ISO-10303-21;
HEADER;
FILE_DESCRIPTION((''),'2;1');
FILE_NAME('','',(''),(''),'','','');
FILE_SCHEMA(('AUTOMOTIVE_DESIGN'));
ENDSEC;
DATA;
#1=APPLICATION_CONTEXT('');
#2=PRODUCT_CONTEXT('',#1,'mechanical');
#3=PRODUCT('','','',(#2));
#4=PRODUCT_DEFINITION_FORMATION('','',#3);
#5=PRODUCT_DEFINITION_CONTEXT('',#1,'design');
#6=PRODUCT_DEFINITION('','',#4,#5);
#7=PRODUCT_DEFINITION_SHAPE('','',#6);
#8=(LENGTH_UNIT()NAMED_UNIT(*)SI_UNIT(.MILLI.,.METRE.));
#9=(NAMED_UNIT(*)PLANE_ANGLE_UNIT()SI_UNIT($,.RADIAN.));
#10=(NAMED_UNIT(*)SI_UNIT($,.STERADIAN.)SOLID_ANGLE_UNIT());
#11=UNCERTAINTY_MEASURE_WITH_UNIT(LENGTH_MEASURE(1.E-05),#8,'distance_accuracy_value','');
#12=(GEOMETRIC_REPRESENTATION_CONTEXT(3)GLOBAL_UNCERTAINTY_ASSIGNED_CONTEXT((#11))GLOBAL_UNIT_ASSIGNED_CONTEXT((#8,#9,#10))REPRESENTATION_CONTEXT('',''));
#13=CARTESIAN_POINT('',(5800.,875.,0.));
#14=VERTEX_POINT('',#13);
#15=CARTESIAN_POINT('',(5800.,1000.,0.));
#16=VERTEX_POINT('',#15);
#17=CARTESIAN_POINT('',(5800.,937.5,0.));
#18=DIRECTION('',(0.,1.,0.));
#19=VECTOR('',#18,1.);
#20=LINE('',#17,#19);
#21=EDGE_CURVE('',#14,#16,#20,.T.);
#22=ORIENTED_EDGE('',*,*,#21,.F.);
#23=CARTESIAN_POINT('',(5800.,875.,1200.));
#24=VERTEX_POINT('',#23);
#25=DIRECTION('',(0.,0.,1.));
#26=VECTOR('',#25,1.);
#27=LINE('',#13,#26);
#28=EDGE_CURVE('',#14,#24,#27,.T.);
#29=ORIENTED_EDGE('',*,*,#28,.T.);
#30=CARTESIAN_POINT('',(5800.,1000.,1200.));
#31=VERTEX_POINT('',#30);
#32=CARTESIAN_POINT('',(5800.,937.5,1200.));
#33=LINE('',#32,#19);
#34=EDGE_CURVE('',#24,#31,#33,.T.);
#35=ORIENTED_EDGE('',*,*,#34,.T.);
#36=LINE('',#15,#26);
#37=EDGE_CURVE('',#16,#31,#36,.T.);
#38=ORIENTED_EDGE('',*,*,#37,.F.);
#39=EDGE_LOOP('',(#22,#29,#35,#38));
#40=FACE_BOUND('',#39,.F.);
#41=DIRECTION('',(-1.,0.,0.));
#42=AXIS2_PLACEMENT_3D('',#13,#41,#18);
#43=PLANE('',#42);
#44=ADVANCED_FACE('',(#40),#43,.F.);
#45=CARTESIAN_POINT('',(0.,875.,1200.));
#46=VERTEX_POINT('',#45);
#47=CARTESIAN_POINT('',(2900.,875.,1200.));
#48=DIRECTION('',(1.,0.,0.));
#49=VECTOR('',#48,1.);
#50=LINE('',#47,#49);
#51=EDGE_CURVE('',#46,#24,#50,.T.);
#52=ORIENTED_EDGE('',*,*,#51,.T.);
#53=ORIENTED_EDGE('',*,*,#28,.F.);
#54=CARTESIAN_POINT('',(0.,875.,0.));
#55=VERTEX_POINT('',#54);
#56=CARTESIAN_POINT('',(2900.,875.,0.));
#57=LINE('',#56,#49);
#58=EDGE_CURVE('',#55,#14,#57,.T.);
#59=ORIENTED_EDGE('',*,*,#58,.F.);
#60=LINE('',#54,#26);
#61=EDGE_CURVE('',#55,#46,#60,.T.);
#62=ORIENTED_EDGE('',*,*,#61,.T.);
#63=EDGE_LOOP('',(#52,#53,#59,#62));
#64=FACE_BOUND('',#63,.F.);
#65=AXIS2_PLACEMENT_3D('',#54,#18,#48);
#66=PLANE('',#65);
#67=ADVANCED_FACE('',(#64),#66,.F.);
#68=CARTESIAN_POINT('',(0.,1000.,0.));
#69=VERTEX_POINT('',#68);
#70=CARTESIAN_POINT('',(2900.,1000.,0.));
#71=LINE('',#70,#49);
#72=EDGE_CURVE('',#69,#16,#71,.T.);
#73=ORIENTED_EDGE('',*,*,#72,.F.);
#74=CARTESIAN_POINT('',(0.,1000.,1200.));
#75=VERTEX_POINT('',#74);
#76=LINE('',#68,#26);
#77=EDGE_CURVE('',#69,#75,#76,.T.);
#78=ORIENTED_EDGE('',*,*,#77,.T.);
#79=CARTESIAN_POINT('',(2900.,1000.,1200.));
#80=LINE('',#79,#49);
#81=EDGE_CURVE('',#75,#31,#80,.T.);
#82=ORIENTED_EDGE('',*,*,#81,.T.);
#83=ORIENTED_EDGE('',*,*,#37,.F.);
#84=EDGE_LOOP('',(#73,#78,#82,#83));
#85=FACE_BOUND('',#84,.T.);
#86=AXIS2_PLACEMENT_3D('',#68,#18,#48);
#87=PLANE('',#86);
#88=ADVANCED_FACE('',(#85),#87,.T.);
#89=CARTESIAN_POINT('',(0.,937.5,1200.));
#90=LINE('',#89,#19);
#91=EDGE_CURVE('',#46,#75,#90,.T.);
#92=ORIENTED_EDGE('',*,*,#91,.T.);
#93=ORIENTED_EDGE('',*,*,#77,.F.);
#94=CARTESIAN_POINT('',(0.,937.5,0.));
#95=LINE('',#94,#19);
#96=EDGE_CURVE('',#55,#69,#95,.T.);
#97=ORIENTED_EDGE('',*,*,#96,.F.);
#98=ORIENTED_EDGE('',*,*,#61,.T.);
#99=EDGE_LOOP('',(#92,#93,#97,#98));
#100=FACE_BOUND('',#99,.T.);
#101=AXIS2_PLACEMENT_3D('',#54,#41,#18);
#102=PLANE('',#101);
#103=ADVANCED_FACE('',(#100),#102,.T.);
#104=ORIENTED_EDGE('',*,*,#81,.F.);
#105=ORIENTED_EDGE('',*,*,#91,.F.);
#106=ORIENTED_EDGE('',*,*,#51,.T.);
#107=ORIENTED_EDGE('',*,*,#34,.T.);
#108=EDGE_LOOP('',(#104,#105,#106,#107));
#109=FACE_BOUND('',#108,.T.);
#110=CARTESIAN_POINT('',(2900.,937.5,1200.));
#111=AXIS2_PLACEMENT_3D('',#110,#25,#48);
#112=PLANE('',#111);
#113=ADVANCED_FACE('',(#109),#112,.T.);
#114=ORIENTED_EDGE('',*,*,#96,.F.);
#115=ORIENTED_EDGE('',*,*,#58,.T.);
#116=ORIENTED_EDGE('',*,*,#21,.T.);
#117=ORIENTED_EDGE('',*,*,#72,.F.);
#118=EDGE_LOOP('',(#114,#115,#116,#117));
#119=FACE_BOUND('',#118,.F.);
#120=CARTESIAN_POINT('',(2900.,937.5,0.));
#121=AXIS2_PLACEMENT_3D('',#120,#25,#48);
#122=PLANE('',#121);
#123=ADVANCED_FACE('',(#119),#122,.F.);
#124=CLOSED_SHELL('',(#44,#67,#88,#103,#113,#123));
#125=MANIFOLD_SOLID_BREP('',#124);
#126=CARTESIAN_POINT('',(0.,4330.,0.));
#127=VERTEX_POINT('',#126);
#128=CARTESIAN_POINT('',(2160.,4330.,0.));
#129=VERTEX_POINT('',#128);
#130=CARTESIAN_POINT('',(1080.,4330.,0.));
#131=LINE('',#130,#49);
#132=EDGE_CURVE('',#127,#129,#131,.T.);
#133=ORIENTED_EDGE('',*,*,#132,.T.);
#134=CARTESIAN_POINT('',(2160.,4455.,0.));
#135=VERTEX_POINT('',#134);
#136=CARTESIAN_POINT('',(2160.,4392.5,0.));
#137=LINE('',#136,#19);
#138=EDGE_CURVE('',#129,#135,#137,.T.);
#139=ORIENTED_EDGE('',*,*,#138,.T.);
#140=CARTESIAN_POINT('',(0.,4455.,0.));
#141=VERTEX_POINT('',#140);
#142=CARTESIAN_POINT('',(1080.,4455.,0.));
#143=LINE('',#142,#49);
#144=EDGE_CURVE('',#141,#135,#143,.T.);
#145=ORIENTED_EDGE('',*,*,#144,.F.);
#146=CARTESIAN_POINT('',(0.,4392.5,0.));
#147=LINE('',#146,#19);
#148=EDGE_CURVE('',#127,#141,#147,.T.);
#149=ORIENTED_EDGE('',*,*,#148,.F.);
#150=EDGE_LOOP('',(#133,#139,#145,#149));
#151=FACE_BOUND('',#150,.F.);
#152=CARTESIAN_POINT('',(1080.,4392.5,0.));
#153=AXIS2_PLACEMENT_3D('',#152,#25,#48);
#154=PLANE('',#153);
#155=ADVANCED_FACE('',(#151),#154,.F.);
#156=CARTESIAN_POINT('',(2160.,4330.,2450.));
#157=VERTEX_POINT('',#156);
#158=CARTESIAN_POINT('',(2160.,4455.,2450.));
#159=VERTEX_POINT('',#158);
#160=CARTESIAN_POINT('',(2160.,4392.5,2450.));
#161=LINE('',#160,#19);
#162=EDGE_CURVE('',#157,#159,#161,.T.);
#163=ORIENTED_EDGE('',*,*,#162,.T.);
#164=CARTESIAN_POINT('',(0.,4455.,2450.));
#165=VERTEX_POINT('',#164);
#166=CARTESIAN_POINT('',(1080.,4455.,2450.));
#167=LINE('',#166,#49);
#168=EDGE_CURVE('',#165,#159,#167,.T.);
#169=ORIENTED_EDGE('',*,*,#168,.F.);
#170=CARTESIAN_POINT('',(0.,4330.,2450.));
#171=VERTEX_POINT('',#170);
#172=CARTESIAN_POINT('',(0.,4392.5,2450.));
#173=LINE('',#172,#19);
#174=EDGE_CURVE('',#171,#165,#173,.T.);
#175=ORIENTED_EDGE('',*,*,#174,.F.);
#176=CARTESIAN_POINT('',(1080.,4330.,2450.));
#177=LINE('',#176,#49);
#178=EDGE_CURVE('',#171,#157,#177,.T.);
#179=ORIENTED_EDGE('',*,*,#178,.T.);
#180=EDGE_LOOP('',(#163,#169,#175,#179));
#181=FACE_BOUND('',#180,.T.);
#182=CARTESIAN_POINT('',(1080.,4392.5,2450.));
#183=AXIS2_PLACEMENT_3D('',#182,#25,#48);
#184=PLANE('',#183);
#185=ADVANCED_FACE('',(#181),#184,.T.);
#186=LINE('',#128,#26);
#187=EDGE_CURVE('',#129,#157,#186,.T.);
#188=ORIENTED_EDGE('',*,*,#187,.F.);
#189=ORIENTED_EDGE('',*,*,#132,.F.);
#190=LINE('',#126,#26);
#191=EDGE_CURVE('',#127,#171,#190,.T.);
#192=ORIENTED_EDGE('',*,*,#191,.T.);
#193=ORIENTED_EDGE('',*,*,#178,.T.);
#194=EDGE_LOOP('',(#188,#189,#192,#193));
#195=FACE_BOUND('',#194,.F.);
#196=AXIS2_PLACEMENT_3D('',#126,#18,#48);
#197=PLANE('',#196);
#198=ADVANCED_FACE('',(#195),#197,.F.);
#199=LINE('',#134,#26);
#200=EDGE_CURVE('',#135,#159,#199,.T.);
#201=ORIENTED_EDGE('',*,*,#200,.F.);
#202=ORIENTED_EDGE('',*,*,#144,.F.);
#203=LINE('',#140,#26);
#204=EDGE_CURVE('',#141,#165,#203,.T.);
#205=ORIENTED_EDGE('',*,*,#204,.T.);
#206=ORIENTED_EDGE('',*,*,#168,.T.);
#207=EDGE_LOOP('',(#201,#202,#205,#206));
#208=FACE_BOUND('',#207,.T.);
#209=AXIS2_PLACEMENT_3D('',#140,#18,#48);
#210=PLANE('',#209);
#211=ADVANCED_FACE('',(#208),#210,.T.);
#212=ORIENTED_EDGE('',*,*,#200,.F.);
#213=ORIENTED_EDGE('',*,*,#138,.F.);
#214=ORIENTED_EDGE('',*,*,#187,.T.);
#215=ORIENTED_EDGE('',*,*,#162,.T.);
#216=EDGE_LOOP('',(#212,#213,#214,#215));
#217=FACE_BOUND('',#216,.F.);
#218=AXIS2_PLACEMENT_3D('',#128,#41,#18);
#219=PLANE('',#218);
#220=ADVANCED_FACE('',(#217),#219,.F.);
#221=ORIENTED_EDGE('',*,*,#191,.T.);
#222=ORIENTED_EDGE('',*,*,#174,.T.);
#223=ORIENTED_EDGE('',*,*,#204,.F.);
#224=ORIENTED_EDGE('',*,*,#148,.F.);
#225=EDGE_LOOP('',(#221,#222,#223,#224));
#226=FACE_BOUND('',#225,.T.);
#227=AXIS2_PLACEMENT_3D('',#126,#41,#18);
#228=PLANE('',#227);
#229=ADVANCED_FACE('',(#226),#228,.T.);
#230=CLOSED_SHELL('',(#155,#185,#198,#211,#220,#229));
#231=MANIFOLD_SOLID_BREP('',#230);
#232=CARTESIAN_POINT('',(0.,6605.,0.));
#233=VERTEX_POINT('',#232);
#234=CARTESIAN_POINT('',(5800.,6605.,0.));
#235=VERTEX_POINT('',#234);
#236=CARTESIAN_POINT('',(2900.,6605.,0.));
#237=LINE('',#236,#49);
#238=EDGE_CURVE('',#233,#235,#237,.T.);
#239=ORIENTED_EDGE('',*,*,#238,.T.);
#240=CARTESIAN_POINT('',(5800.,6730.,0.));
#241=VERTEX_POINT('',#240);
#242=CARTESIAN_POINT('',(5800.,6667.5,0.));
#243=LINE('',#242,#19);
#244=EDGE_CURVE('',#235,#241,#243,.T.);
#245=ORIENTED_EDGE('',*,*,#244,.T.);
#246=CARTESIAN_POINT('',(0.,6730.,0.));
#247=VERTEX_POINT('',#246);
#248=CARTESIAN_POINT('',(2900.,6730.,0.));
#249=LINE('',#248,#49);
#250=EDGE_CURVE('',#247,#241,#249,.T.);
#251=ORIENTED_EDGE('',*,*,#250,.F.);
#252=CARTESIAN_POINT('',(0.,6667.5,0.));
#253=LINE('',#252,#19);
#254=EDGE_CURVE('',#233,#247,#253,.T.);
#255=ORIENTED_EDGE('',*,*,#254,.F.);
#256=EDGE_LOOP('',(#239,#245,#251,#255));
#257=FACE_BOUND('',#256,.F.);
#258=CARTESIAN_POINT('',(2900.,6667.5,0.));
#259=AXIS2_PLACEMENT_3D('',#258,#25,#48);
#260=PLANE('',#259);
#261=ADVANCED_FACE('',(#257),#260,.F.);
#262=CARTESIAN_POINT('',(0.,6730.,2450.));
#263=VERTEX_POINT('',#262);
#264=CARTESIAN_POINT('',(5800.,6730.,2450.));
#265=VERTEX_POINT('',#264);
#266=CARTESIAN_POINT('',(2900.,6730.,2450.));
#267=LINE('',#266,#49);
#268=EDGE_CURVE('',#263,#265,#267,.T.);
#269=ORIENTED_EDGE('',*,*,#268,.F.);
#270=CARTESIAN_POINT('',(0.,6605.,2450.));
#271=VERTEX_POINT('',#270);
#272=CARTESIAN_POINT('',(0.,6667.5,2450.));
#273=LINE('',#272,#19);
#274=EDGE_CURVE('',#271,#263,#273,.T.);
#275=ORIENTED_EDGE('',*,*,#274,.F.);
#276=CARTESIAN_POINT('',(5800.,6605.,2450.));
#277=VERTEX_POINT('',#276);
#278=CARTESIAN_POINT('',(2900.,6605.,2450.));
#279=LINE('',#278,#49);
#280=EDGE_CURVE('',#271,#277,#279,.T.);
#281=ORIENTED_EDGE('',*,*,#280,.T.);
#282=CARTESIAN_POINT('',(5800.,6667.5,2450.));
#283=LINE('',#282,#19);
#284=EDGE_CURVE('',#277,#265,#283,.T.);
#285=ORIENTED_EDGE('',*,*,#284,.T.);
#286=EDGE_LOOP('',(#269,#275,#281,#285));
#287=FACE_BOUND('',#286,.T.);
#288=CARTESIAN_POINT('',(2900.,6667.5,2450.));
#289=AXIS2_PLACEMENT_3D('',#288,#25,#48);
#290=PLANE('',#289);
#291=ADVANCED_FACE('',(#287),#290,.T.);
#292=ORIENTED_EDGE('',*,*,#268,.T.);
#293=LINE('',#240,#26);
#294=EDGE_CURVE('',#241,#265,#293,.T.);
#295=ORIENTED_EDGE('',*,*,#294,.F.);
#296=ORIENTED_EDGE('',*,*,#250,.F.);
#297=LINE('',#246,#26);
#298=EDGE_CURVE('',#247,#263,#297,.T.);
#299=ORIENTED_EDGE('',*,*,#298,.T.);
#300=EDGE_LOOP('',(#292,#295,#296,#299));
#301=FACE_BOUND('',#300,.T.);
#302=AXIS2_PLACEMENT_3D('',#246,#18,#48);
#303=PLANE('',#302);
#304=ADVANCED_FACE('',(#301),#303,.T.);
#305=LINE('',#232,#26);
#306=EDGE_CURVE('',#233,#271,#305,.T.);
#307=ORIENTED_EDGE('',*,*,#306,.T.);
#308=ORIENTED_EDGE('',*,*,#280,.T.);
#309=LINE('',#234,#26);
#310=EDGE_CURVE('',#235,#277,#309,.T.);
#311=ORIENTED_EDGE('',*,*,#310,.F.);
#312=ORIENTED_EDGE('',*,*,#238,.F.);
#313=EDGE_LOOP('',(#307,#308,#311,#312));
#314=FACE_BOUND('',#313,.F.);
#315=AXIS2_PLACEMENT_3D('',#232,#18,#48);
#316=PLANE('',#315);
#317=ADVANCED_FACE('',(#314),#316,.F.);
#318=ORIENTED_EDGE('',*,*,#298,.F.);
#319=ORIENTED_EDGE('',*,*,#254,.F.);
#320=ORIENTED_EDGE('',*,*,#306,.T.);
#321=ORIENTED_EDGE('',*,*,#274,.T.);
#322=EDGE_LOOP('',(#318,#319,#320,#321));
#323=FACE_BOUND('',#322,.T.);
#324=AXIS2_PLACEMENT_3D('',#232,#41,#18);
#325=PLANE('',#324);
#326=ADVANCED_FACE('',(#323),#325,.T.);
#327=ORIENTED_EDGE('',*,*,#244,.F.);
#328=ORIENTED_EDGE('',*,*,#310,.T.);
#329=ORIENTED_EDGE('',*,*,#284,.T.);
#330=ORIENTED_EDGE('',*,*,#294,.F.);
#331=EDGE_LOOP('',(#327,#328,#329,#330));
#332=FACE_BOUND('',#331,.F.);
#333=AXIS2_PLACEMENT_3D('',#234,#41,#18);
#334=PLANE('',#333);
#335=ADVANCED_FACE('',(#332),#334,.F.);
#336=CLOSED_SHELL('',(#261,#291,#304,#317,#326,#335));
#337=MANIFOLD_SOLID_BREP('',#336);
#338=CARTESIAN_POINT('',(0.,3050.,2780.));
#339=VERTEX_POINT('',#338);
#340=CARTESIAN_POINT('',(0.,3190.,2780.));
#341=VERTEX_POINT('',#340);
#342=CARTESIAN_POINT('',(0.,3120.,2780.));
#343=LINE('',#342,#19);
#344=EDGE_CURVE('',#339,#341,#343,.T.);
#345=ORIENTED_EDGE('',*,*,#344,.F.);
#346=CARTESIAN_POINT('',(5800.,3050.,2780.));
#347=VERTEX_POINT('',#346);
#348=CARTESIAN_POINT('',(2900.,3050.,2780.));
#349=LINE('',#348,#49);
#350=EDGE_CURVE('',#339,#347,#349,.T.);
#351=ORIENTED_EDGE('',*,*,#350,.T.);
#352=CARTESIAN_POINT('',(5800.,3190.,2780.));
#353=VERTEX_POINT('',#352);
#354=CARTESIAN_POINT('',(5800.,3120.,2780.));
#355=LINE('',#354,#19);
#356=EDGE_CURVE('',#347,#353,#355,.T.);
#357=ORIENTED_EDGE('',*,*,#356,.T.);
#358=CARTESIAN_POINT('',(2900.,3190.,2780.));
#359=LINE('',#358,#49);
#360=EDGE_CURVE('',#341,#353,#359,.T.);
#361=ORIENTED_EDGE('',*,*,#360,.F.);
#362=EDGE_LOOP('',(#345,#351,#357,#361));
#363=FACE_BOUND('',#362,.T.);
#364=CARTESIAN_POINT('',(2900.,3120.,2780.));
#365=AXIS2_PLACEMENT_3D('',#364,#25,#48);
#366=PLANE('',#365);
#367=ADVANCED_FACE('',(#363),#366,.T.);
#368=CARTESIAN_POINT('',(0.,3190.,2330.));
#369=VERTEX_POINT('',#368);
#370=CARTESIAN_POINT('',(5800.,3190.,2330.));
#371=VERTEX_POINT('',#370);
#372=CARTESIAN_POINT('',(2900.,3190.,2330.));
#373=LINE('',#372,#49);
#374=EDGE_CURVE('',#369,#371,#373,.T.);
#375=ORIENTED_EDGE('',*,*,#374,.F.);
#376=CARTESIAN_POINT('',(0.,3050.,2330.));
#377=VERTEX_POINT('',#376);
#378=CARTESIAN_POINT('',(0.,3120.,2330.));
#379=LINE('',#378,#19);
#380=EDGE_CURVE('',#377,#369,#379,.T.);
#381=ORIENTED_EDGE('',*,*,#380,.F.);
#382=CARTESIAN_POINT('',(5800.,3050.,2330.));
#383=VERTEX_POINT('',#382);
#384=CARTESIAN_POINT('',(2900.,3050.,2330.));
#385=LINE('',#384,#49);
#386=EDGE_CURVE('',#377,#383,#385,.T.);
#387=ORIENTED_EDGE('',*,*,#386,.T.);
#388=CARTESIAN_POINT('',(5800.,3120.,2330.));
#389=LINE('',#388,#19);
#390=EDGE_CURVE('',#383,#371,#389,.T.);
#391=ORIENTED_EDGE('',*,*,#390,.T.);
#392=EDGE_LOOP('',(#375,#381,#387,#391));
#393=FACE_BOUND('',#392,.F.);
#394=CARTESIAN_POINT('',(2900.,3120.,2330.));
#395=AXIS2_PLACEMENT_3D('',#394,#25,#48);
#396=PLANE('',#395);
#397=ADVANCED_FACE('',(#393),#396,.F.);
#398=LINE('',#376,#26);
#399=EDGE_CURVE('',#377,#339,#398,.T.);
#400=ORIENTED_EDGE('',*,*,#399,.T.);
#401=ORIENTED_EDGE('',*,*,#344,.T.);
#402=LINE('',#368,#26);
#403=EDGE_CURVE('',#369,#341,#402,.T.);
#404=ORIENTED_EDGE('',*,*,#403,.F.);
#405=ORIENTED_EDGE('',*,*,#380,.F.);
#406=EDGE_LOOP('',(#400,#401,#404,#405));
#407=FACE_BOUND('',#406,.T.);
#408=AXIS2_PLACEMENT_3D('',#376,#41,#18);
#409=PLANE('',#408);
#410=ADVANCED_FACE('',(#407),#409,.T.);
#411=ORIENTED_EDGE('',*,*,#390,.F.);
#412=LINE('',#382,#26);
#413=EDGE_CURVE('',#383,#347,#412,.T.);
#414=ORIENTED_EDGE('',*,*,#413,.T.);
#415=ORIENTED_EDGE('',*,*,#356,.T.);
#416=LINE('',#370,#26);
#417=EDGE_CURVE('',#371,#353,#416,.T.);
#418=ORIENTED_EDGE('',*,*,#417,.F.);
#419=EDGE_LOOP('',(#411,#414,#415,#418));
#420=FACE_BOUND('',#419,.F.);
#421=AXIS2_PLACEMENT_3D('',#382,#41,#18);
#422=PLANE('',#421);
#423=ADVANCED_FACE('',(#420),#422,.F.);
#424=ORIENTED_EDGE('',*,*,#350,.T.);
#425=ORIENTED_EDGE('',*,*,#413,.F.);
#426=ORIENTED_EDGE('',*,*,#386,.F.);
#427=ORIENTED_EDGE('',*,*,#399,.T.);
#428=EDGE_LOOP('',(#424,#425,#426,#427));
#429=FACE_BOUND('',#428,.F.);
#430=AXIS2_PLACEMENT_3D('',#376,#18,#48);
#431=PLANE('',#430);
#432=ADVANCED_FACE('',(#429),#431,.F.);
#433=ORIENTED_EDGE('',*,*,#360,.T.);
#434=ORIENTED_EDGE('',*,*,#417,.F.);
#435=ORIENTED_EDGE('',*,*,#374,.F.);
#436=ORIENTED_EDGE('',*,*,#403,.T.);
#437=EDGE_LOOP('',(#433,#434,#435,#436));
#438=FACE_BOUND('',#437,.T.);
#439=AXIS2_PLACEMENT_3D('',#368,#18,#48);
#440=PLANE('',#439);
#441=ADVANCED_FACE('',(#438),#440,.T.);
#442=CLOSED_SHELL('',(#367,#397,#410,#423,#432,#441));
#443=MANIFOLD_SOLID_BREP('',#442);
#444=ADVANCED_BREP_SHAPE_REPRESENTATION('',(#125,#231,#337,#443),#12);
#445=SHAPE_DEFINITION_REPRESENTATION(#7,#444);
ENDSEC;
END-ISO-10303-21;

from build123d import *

# Parameters (mm, degrees)
F1_W     = 5800
F1_H     = 125
F2_DEPTH = 1200
F3_W     = 2160
F3_H     = 125
F4_DEPTH = 2450
F6_START = 2330
F5_W     = 5800
F5_H     = 140
F6_DEPTH = 450
F7_W     = 5800
F7_H     = 125
F8_DEPTH = 2450


with BuildPart() as f2:
    # F1 (on face) → F2 (new body)
    with BuildSketch(Plane.XY):
        with Locations((2900, 937.5)):
            Rectangle(F1_W, F1_H)
    extrude(amount=F2_DEPTH)


with BuildPart() as f4:
    # F3 (on face) → F4 (new body)
    with BuildSketch(Plane.XY):
        with Locations((1080, 4392.5)):
            Rectangle(F3_W, F3_H)
    extrude(amount=F4_DEPTH)


with BuildPart() as f6:
    # F5 (on face) → F6 (new body)
    with BuildSketch(Plane.XY.offset(F6_START)):
        with Locations((2900, 3120)):
            Rectangle(F5_W, F5_H)
    extrude(amount=F6_DEPTH)


with BuildPart() as f8:
    # F7 (on face) → F8 (new body)
    with BuildSketch(Plane.XY):
        with Locations((2900, 6667.5)):
            Rectangle(F7_W, F7_H)
    extrude(amount=F8_DEPTH)


solid = Compound([f2.part, f4.part, f6.part, f8.part])
